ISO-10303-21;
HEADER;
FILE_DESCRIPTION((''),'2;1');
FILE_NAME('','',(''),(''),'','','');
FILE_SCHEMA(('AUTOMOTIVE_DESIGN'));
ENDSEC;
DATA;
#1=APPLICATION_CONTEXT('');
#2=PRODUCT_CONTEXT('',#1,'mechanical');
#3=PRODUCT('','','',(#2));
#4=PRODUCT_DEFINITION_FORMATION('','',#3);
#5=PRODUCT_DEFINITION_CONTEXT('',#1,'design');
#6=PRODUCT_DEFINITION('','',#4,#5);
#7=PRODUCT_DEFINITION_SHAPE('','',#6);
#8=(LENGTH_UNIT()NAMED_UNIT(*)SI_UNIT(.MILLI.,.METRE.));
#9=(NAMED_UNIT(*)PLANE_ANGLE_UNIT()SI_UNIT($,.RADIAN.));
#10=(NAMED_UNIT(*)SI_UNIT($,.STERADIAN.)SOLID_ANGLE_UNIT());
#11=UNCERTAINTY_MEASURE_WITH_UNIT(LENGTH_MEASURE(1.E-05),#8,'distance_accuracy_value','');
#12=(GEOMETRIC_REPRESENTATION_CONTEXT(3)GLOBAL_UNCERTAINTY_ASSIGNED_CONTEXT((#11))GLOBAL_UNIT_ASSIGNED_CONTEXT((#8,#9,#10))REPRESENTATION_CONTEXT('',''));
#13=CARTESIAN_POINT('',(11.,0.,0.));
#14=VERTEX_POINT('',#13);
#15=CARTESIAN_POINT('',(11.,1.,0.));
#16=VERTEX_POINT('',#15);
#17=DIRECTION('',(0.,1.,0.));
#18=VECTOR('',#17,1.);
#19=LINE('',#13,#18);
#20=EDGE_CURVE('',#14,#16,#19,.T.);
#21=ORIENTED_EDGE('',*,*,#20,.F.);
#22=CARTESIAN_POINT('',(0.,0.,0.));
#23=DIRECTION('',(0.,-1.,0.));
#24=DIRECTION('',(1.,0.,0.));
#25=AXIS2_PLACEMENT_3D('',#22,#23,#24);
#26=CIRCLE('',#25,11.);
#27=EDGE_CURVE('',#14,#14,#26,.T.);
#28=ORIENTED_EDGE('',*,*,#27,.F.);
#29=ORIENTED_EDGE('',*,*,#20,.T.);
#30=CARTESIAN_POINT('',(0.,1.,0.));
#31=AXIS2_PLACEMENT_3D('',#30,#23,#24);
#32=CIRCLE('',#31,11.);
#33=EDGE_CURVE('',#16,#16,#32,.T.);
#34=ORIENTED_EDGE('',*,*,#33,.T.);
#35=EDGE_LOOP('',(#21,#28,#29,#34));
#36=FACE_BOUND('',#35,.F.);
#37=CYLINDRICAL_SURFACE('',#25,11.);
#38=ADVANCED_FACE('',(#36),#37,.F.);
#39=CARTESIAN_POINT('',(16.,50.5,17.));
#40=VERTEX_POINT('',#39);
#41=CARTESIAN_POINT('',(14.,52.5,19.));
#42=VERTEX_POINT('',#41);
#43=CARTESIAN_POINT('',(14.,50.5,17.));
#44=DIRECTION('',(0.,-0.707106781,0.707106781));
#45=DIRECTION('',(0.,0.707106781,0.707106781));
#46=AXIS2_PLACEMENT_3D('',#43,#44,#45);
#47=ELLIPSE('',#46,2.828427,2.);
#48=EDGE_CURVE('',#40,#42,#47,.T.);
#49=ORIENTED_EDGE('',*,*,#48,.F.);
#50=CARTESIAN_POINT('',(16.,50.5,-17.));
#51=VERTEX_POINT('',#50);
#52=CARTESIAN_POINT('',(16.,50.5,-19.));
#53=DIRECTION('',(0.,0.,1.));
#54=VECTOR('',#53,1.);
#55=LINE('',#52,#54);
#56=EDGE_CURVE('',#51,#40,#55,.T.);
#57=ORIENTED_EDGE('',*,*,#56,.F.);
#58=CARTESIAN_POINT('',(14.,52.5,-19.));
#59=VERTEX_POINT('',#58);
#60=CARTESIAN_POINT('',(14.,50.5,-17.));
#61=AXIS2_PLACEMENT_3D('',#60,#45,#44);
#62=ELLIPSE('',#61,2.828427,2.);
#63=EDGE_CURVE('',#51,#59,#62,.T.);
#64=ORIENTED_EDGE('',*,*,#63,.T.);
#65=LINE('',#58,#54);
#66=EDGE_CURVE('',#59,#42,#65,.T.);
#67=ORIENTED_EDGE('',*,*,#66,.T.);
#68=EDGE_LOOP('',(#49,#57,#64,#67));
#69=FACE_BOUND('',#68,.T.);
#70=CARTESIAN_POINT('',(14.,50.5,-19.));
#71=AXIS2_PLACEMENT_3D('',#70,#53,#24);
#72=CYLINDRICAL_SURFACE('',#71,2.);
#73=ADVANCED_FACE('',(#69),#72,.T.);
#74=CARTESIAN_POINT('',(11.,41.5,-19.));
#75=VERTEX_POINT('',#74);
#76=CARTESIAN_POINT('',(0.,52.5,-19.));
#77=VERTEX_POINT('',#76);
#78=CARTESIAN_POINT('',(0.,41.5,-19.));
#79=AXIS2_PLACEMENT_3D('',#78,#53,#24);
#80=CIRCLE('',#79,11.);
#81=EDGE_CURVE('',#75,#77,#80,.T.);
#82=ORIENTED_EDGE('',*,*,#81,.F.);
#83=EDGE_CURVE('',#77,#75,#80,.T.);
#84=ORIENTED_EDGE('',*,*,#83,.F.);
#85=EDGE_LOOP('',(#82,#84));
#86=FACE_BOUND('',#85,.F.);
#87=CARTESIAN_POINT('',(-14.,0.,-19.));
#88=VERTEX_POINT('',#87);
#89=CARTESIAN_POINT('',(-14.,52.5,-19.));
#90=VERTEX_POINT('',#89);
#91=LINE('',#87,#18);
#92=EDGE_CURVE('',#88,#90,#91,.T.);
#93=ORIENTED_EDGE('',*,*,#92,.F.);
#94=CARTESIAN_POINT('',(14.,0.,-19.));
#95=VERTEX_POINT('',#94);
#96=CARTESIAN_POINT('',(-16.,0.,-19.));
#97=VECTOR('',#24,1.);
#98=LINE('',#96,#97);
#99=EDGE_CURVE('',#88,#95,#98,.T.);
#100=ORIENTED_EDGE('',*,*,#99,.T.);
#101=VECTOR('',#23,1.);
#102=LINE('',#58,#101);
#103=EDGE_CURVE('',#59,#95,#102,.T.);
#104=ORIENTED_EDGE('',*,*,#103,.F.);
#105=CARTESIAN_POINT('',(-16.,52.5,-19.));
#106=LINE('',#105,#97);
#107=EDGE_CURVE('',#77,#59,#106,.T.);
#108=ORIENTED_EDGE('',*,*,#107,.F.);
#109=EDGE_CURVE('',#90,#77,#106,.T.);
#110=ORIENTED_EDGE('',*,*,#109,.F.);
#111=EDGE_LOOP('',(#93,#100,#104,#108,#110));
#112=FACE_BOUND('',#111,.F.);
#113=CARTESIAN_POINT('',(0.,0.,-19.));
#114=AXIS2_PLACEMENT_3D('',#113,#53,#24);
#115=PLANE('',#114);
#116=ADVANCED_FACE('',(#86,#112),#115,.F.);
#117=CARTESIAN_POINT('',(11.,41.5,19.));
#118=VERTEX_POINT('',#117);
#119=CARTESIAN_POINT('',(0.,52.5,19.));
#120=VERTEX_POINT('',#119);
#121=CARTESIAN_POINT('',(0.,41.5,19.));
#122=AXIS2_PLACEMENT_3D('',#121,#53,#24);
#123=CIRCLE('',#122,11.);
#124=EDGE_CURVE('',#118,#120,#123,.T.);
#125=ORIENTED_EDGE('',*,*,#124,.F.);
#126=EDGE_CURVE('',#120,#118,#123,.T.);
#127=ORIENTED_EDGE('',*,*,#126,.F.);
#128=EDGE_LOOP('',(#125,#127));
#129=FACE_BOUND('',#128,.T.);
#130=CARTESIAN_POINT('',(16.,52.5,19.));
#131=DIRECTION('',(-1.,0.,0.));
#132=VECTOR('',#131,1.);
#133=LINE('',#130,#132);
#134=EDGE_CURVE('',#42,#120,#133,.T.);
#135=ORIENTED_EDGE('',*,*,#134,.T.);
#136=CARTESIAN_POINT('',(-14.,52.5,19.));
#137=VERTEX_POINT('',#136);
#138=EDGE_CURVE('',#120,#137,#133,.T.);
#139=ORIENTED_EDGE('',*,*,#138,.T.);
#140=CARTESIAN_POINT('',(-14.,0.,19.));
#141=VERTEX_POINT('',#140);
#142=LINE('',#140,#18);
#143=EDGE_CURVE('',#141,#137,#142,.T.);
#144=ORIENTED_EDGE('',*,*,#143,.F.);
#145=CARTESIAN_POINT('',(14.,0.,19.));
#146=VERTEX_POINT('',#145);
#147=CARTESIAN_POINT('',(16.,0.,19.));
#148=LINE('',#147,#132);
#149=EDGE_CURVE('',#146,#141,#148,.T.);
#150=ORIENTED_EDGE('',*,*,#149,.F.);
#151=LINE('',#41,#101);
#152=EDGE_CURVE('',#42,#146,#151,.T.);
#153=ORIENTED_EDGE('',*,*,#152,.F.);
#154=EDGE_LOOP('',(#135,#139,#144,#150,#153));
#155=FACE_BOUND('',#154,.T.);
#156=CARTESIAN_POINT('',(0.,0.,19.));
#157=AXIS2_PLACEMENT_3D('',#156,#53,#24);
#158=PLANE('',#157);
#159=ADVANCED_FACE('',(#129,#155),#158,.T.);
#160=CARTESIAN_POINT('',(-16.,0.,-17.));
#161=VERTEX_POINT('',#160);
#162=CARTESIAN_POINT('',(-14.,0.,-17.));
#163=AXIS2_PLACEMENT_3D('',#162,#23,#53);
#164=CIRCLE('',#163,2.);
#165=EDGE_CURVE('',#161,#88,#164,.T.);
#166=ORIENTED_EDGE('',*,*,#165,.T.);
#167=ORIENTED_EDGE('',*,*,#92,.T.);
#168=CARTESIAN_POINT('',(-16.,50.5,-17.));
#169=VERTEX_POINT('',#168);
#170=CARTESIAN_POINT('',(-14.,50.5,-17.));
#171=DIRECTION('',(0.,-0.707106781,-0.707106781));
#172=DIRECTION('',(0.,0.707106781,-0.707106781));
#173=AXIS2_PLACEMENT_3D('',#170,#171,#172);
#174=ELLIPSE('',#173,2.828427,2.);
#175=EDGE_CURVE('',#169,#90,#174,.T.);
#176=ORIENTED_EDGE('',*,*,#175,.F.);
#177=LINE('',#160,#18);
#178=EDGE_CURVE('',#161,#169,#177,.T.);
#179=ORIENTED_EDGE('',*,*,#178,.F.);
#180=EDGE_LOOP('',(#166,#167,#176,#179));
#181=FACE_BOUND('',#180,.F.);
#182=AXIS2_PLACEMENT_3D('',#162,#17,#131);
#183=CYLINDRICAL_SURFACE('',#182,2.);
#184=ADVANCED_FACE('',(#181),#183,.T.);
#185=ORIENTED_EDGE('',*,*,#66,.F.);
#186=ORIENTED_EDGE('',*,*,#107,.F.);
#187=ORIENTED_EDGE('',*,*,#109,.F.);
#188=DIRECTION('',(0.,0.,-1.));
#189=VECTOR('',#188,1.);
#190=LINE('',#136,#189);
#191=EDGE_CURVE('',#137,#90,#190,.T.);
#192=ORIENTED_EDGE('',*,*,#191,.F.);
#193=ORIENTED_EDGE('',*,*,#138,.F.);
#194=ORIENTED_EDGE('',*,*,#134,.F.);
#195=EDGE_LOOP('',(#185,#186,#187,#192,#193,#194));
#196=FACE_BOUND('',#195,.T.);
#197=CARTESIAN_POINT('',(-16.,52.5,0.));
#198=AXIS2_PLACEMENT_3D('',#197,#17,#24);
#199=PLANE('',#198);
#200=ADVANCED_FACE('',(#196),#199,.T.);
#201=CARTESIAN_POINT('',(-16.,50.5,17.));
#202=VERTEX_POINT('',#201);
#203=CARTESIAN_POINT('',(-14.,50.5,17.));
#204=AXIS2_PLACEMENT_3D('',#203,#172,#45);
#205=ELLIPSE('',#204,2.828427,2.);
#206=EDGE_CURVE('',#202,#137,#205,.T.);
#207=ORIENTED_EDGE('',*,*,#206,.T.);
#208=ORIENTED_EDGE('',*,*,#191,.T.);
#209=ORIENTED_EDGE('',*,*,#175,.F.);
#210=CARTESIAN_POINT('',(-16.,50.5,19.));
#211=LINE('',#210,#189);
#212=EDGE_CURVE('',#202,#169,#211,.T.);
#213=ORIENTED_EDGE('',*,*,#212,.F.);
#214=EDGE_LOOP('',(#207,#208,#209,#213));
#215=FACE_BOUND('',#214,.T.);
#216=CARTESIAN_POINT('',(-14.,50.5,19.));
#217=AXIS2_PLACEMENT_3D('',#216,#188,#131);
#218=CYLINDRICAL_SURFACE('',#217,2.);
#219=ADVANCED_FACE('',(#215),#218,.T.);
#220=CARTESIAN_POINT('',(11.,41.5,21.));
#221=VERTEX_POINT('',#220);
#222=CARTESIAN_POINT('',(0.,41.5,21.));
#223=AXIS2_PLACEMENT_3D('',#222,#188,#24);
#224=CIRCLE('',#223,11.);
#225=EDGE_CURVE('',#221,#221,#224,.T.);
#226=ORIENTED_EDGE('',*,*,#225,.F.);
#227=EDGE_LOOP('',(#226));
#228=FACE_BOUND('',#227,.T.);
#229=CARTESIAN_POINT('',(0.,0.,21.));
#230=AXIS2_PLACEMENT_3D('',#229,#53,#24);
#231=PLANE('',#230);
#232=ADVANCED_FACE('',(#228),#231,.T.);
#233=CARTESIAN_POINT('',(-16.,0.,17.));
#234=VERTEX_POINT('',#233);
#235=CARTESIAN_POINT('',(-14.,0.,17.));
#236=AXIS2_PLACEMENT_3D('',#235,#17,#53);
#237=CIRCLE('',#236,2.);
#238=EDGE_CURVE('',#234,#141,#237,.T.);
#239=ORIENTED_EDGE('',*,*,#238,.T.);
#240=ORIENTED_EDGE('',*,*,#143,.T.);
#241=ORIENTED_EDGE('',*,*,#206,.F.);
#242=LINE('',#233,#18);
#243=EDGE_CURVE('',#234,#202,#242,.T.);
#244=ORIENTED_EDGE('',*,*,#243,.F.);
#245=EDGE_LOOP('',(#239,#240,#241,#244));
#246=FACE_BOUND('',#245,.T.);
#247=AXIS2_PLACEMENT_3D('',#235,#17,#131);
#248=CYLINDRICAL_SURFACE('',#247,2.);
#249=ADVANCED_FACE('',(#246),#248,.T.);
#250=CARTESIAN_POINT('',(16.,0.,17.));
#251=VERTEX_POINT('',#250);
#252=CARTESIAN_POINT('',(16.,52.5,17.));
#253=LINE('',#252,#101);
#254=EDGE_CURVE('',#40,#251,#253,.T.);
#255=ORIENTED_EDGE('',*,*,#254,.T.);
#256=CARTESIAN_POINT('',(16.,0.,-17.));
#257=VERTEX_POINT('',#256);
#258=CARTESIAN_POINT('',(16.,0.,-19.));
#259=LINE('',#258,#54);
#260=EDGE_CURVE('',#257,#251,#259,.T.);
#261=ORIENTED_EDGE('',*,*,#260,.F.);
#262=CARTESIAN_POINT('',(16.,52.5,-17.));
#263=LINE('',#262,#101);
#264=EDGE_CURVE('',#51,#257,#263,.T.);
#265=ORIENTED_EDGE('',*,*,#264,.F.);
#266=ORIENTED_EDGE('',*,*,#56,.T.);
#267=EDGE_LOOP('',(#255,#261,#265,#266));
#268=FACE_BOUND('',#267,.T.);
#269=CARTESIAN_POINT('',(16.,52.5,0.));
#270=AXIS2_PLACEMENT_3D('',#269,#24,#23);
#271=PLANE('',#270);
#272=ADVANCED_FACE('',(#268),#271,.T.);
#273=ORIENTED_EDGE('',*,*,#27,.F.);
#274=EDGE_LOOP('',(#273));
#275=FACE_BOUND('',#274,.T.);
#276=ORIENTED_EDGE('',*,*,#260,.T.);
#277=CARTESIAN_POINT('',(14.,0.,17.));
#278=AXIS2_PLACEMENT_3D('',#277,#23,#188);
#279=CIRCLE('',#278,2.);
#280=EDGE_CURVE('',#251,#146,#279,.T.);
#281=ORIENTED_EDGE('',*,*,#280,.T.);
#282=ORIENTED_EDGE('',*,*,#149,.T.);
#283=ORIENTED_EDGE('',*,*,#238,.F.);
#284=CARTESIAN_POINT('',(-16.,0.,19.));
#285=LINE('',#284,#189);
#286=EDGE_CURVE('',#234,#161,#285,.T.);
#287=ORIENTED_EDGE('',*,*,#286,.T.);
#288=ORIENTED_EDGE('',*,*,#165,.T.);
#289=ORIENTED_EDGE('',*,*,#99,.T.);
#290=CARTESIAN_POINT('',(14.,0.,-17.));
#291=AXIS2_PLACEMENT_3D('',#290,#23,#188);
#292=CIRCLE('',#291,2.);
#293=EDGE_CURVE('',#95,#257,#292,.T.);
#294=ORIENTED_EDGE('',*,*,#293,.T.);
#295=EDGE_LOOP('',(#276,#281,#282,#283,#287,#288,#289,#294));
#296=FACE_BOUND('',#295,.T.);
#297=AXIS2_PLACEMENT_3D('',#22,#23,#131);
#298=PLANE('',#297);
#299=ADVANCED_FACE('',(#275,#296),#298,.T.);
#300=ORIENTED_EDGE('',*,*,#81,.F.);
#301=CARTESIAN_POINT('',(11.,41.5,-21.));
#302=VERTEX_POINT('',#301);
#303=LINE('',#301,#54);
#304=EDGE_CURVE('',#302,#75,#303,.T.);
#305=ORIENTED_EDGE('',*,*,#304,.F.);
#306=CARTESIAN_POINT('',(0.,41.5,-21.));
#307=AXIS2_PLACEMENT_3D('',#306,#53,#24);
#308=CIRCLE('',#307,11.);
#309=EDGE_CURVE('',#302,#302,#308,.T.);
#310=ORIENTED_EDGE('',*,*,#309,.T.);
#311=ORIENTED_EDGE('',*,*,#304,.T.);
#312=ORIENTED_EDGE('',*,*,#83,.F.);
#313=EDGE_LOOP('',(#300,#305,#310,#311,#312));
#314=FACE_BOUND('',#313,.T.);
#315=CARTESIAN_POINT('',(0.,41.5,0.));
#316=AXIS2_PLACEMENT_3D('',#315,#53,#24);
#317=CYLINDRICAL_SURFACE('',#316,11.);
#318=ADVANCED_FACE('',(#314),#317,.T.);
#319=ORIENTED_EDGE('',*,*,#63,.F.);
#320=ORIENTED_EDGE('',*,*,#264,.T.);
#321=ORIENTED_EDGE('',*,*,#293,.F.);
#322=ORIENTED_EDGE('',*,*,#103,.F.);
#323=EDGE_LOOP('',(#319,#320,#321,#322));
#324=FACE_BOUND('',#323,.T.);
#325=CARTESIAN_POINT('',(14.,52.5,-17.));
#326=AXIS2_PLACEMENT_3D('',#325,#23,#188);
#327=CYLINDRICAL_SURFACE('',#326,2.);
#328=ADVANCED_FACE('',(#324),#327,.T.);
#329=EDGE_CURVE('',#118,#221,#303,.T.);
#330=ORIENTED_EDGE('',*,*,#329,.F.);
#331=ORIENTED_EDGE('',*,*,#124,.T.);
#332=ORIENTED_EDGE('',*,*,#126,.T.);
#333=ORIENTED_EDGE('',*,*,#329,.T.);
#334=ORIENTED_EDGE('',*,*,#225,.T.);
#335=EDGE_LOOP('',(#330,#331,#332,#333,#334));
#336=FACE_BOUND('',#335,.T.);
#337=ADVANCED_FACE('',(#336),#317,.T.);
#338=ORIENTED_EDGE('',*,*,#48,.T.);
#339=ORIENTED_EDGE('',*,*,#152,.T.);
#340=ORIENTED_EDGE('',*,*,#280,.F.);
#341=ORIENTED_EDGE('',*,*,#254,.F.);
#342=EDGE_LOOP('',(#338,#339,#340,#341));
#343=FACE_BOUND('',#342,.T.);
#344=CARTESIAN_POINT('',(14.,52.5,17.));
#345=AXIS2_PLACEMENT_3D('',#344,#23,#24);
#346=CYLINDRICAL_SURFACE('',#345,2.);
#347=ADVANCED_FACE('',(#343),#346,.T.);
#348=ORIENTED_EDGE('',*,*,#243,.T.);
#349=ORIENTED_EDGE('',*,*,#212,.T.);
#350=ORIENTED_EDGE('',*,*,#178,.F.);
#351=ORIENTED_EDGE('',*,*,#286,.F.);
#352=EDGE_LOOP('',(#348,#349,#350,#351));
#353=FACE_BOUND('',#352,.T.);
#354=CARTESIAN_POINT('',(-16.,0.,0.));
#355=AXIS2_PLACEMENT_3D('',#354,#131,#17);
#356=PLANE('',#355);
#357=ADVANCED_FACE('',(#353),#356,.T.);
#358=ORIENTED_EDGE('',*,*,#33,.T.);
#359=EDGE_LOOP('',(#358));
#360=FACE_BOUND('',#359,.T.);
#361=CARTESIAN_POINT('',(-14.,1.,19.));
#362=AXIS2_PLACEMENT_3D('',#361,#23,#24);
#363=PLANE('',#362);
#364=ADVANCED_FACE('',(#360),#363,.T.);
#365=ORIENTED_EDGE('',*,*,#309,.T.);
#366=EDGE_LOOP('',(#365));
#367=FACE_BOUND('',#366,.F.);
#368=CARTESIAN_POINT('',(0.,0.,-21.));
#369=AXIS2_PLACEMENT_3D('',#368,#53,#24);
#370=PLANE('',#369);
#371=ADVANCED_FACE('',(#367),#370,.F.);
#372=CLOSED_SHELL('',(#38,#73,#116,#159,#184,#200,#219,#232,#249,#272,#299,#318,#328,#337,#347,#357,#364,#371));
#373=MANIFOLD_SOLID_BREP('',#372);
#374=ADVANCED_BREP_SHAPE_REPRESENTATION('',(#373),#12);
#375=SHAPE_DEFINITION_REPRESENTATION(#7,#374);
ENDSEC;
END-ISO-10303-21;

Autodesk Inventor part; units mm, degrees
ref_plane "YZ Plane" through (0, 0, 0) normal (1, 0, 0) x (0, 1, 0)
ref_plane "XZ Plane" through (0, 0, 0) normal (0, 1, 0) x (-1, 0, 0)
ref_plane "XY Plane" through (0, 0, 0) normal (0, 0, 1) x (1, 0, 0)
sketch "Sketch1" plane through (0, 0, 0) normal (0, 0, 1) x (1, 0, 0)
  line L0 (0, 0) -> (0, 41.5)
  circle A0 centre (0, 41.5) radius 11
  line L1 (0, 41.5) -> (0, 52.5)
  line L2 (0, 52.5) -> (16, 52.5)
  line L3 (16, 52.5) -> (16, 0)
  line L4 (16, 0) -> (0, 0)
  line L5 (0, 0) -> (-16, 0)
  line L6 (-16, 0) -> (-16, 52.5)
  line L7 (-16, 52.5) -> (0, 52.5)
  dimension "d1" = 22
  dimension "d0" = 41.5
  dimension "d2" = 16
  dimension "d3" = 16
extrude "Extrusion1" add sketch "Sketch1" along normal mid plane 38
extrude "Extrusion2" add sketch "Sketch1" along normal mid plane 42 contours A0 L1 L0 | L0 L1 A0
fillet "Fillet1" radius 2 6 edges at (-16, 26.25, 19) (-16, 26.25, -19) (-16, 52.5, 0) (16, 52.5, 0) (16, 26.25, 19) (16, 26.25, -19)
sketch "Sketch2" plane through (-14, 0, 19) normal (0, -1, 0) x (1, 0, 0)
  circle A0 centre (14, -19) radius 11
  dimension "d9" = 22
extrude "Extrusion3" cut sketch "Sketch2" against normal blind 1
properties part number "Shoulder"
